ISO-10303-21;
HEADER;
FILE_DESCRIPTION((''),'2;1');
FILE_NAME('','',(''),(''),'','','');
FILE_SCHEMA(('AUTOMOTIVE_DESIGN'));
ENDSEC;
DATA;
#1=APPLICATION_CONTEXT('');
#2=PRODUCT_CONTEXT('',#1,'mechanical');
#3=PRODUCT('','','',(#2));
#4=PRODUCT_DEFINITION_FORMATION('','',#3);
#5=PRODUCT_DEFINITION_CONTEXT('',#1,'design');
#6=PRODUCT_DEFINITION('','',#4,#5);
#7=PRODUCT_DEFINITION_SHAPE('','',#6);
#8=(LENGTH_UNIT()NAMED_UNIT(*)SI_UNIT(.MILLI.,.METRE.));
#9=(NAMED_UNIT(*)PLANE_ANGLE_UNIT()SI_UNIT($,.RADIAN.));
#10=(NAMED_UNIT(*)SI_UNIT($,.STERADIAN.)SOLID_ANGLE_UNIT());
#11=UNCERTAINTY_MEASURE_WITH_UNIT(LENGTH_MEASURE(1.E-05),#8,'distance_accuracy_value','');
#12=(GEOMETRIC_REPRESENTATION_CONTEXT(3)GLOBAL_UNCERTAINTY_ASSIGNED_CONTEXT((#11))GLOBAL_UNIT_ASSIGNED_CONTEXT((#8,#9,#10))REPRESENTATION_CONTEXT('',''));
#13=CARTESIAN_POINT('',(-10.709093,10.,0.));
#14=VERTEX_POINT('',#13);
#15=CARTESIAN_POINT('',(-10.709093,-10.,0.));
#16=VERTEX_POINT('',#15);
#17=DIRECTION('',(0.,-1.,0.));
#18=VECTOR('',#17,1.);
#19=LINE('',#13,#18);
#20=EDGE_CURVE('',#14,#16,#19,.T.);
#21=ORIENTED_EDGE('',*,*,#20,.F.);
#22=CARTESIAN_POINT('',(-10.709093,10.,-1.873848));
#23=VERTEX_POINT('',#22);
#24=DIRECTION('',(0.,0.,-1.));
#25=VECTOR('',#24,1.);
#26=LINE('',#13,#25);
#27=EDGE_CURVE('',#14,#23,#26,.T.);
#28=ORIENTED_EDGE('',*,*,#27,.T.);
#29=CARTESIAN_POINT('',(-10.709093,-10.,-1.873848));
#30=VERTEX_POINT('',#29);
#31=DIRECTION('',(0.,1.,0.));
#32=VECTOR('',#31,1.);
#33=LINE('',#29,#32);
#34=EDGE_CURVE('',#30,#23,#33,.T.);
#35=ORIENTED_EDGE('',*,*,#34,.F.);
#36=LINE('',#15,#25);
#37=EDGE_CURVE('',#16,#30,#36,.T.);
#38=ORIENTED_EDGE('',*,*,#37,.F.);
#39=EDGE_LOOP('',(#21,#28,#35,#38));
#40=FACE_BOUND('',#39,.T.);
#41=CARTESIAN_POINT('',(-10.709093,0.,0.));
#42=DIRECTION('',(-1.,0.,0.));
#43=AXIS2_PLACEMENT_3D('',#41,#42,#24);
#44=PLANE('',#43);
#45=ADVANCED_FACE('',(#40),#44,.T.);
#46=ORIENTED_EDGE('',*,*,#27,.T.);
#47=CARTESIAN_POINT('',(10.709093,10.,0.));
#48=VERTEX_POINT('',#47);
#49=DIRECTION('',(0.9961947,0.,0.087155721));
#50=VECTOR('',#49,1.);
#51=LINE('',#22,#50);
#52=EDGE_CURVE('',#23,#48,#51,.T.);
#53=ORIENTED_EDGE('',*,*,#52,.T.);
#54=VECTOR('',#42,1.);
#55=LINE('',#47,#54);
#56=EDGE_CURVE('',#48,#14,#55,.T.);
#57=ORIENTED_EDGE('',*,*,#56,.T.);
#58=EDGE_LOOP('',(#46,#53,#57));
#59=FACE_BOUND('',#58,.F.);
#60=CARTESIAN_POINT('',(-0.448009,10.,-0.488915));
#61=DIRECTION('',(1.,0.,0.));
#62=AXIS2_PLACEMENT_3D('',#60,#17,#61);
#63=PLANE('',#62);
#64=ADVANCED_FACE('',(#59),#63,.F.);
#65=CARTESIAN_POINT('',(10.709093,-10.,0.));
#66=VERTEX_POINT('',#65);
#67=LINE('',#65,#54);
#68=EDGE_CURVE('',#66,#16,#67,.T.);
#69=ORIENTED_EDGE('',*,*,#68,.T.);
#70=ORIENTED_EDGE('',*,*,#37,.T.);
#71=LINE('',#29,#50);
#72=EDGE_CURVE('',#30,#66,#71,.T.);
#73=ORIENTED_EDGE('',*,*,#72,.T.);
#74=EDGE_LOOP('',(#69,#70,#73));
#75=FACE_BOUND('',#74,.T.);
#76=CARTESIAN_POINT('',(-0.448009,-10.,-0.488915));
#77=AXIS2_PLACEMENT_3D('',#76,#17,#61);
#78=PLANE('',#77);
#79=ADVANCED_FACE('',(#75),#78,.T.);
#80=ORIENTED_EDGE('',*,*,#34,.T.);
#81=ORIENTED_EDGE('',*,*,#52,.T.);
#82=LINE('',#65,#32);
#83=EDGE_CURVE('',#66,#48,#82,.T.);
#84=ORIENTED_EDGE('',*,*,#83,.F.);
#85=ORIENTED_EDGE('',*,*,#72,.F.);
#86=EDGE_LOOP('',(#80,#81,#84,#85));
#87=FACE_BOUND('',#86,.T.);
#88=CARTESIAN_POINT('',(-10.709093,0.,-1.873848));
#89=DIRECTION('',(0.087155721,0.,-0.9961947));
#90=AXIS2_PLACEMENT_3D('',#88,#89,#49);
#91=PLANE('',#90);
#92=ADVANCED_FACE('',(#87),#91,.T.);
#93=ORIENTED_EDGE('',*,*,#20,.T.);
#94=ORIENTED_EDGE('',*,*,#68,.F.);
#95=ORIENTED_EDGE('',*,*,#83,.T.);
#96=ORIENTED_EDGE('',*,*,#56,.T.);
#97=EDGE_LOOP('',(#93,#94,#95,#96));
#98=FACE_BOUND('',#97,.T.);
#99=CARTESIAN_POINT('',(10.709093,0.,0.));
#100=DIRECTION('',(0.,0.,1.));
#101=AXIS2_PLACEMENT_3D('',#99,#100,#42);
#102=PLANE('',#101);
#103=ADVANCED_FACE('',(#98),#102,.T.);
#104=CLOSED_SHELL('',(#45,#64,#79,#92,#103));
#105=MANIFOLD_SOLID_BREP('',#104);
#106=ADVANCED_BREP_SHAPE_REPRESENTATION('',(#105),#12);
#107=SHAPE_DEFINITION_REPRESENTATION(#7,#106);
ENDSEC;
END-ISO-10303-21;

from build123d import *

# Parameters (mm, degrees)
PAD_DEPTH = 10


with BuildPart() as part:
    # Sketch → Pad (new body, symmetric)
    with BuildSketch(Plane.XZ):
        Polygon((10.709093, 0), (-10.709093, 0), (-10.709093, -1.873848), align=None)
    extrude(amount=PAD_DEPTH, both=True)


solid = part.part
